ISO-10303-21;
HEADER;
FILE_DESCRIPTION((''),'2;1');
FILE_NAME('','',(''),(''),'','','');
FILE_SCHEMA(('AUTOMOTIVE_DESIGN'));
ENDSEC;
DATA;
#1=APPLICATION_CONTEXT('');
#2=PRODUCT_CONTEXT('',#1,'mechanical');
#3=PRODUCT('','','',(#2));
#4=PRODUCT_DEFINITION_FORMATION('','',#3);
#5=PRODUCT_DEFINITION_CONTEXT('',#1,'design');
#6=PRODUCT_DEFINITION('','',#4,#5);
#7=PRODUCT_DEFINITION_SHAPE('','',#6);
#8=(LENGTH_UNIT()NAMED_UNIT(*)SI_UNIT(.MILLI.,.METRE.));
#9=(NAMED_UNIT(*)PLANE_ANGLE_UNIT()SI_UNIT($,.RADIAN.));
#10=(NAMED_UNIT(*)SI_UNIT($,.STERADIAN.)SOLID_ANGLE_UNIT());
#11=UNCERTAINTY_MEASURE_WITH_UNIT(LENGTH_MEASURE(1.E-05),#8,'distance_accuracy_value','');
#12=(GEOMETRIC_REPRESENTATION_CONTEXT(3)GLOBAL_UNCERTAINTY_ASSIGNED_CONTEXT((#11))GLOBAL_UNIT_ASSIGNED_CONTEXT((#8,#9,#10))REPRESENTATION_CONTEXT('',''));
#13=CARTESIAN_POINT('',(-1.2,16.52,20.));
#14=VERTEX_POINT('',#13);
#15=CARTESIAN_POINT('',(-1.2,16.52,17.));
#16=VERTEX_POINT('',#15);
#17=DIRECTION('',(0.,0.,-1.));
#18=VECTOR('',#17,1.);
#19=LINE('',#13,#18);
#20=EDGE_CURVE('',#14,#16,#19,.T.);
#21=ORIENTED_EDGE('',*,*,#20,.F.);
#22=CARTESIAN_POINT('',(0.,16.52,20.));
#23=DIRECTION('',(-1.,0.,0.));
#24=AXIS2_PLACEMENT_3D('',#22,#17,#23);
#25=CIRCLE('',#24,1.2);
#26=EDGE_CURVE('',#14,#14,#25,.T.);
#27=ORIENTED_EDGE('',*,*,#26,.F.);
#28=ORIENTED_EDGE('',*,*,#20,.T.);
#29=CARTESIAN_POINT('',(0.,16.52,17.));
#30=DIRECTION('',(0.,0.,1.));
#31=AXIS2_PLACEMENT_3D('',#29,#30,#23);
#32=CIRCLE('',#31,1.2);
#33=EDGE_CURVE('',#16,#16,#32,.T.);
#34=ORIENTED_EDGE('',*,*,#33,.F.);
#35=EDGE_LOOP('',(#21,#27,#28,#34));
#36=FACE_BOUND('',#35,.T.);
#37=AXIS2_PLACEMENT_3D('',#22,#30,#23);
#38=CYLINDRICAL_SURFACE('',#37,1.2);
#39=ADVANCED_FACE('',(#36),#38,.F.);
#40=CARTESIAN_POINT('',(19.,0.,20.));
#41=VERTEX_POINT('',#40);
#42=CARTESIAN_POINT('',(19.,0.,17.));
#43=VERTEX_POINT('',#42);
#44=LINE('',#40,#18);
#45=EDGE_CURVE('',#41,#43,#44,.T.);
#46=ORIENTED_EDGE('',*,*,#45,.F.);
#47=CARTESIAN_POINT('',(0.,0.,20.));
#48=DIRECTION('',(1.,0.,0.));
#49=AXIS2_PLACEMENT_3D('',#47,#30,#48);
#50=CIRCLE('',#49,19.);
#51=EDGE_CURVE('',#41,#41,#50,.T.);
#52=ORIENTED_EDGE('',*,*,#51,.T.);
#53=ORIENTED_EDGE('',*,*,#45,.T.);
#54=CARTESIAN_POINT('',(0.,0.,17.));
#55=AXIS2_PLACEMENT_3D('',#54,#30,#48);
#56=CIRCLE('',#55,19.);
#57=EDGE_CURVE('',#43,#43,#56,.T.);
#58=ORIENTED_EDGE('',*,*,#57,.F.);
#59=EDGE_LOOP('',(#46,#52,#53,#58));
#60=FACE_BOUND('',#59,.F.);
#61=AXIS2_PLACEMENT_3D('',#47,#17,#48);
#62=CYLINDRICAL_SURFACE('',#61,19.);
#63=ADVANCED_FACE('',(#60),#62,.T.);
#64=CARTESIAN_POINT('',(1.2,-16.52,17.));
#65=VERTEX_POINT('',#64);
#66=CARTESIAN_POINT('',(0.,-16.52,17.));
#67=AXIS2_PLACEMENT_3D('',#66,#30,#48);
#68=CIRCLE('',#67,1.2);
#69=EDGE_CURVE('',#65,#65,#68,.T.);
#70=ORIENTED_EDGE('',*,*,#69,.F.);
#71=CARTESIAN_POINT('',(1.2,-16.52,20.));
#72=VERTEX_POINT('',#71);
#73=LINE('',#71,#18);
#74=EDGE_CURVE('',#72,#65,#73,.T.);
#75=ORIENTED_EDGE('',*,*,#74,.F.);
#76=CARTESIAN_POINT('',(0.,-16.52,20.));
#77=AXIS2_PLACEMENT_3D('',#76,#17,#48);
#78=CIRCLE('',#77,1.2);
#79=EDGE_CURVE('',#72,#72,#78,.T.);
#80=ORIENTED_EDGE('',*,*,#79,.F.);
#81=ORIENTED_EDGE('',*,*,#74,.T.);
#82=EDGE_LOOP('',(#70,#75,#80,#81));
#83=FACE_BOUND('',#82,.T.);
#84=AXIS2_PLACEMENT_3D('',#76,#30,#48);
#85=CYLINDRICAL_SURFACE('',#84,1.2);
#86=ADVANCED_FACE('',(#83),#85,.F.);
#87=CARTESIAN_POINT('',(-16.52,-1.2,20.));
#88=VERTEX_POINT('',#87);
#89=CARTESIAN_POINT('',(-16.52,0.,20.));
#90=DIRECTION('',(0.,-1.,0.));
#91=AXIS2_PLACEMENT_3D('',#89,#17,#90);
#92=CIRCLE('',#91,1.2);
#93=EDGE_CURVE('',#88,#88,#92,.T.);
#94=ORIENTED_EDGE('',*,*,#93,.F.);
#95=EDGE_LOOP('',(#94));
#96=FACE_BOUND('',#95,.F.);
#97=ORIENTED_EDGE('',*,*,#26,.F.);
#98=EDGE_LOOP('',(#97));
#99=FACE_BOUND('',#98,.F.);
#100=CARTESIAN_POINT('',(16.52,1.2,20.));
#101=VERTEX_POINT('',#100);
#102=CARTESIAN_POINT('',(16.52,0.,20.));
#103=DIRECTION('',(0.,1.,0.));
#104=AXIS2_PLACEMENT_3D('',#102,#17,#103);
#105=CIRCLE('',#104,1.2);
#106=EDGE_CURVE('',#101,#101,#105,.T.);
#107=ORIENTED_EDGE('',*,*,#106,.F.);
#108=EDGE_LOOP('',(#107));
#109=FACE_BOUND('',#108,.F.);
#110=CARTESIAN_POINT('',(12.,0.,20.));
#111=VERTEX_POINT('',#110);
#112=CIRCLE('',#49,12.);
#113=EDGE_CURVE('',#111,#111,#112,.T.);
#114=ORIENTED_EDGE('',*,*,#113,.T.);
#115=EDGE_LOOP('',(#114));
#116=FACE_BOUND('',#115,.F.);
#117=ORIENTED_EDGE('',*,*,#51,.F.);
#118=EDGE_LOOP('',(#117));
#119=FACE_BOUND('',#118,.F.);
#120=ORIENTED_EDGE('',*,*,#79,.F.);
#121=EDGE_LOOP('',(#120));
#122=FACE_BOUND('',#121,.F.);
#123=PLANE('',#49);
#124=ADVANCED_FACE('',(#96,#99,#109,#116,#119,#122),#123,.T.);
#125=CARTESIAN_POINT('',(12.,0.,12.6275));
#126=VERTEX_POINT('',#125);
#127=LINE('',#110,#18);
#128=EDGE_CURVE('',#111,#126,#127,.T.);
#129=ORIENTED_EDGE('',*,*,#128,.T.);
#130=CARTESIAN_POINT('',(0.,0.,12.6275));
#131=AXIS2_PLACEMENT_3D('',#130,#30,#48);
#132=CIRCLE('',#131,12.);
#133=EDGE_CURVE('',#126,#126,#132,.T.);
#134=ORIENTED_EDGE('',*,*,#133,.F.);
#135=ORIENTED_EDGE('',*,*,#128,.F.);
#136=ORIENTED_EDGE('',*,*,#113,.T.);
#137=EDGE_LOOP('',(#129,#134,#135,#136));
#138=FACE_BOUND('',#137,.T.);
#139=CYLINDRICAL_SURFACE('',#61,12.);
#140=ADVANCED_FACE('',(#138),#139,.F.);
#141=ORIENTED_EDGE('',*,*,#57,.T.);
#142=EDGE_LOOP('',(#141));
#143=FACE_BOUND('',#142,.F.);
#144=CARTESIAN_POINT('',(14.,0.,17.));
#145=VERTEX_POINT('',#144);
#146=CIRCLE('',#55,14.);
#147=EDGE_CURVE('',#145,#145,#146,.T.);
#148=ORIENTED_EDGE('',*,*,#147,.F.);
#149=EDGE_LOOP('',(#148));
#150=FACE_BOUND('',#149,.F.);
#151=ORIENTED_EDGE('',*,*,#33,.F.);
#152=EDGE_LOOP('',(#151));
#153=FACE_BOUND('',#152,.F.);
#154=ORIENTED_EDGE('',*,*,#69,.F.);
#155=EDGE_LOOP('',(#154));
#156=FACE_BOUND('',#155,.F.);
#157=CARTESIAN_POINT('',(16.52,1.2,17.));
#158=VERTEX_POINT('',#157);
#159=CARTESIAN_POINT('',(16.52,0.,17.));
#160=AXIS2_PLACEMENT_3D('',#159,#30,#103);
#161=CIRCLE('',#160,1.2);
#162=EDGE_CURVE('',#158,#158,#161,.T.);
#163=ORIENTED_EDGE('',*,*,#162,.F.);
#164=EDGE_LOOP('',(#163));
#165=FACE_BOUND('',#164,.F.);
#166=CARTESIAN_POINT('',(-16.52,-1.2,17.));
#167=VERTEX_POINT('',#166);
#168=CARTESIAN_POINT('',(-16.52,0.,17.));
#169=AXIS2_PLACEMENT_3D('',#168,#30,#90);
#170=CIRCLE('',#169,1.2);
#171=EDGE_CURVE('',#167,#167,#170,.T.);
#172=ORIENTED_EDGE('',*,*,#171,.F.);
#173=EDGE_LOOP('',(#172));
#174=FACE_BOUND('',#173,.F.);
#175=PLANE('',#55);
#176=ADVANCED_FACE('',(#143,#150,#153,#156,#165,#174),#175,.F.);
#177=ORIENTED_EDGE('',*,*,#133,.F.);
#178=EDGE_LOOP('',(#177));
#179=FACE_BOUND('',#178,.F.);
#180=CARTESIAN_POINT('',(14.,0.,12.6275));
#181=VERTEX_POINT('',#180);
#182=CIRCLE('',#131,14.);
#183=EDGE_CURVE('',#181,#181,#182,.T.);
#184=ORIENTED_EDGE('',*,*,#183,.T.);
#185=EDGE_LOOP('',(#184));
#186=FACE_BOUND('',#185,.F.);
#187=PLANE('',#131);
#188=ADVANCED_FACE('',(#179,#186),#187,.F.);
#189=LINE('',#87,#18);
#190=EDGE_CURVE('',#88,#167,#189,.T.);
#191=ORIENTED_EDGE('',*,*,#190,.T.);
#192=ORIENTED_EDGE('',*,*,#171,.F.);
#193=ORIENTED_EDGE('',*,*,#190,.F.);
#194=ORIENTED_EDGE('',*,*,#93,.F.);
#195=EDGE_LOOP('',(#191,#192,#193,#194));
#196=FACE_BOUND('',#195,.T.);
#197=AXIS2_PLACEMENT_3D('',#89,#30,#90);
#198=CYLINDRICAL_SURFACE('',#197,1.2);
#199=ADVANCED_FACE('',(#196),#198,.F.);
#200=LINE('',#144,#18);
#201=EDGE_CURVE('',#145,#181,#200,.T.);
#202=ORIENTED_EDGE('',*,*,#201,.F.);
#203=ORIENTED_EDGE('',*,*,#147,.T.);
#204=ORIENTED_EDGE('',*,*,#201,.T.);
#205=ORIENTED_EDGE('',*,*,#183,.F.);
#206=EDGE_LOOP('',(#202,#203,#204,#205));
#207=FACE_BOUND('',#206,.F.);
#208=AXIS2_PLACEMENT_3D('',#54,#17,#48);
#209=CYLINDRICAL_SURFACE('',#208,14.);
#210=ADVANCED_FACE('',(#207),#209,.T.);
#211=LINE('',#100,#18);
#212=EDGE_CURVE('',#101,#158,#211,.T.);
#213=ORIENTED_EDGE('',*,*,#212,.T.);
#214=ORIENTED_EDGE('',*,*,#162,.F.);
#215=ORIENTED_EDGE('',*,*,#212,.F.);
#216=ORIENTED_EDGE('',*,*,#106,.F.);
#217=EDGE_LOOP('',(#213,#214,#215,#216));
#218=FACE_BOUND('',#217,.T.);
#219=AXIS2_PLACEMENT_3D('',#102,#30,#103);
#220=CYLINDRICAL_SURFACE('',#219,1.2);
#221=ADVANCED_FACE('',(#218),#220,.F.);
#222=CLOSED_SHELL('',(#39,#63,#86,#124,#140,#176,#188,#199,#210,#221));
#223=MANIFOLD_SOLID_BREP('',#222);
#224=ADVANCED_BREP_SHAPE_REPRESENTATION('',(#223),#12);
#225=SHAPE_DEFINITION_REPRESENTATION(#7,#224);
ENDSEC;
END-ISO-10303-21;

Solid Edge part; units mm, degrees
sketch "Sketch1" plane through (0, 0, 0) normal (0, -1, 0) x (1, 0, 0)
  line L0 (19, 17) -> (14, 17)
  line L1 (14, 17) -> (14, 12.6275)
  line L2 (14, 12.6275) -> (12, 12.6275)
  line L3 (12, 20) -> (12, 12.6275)
  line L4 (12, 20) -> (19, 20)
  line L5 (19, 20) -> (19, 17)
revolve "RevolvedProtrusion1" add sketch "Sketch1" angle 360 about axis through (0, 0, 11.8307) along (0, 0, 1)
hole "Hole1" at (-16.52, 0, 20) direction (0, 0, -1) diameter 2.4 end through all
pattern_circular "Pattern1" count 4 over 360 about axis through (0, 0, 20) along (0, 0, -1) of "Hole1"
cosmetic_thread "Thread1" size "Tr26 x 2"
